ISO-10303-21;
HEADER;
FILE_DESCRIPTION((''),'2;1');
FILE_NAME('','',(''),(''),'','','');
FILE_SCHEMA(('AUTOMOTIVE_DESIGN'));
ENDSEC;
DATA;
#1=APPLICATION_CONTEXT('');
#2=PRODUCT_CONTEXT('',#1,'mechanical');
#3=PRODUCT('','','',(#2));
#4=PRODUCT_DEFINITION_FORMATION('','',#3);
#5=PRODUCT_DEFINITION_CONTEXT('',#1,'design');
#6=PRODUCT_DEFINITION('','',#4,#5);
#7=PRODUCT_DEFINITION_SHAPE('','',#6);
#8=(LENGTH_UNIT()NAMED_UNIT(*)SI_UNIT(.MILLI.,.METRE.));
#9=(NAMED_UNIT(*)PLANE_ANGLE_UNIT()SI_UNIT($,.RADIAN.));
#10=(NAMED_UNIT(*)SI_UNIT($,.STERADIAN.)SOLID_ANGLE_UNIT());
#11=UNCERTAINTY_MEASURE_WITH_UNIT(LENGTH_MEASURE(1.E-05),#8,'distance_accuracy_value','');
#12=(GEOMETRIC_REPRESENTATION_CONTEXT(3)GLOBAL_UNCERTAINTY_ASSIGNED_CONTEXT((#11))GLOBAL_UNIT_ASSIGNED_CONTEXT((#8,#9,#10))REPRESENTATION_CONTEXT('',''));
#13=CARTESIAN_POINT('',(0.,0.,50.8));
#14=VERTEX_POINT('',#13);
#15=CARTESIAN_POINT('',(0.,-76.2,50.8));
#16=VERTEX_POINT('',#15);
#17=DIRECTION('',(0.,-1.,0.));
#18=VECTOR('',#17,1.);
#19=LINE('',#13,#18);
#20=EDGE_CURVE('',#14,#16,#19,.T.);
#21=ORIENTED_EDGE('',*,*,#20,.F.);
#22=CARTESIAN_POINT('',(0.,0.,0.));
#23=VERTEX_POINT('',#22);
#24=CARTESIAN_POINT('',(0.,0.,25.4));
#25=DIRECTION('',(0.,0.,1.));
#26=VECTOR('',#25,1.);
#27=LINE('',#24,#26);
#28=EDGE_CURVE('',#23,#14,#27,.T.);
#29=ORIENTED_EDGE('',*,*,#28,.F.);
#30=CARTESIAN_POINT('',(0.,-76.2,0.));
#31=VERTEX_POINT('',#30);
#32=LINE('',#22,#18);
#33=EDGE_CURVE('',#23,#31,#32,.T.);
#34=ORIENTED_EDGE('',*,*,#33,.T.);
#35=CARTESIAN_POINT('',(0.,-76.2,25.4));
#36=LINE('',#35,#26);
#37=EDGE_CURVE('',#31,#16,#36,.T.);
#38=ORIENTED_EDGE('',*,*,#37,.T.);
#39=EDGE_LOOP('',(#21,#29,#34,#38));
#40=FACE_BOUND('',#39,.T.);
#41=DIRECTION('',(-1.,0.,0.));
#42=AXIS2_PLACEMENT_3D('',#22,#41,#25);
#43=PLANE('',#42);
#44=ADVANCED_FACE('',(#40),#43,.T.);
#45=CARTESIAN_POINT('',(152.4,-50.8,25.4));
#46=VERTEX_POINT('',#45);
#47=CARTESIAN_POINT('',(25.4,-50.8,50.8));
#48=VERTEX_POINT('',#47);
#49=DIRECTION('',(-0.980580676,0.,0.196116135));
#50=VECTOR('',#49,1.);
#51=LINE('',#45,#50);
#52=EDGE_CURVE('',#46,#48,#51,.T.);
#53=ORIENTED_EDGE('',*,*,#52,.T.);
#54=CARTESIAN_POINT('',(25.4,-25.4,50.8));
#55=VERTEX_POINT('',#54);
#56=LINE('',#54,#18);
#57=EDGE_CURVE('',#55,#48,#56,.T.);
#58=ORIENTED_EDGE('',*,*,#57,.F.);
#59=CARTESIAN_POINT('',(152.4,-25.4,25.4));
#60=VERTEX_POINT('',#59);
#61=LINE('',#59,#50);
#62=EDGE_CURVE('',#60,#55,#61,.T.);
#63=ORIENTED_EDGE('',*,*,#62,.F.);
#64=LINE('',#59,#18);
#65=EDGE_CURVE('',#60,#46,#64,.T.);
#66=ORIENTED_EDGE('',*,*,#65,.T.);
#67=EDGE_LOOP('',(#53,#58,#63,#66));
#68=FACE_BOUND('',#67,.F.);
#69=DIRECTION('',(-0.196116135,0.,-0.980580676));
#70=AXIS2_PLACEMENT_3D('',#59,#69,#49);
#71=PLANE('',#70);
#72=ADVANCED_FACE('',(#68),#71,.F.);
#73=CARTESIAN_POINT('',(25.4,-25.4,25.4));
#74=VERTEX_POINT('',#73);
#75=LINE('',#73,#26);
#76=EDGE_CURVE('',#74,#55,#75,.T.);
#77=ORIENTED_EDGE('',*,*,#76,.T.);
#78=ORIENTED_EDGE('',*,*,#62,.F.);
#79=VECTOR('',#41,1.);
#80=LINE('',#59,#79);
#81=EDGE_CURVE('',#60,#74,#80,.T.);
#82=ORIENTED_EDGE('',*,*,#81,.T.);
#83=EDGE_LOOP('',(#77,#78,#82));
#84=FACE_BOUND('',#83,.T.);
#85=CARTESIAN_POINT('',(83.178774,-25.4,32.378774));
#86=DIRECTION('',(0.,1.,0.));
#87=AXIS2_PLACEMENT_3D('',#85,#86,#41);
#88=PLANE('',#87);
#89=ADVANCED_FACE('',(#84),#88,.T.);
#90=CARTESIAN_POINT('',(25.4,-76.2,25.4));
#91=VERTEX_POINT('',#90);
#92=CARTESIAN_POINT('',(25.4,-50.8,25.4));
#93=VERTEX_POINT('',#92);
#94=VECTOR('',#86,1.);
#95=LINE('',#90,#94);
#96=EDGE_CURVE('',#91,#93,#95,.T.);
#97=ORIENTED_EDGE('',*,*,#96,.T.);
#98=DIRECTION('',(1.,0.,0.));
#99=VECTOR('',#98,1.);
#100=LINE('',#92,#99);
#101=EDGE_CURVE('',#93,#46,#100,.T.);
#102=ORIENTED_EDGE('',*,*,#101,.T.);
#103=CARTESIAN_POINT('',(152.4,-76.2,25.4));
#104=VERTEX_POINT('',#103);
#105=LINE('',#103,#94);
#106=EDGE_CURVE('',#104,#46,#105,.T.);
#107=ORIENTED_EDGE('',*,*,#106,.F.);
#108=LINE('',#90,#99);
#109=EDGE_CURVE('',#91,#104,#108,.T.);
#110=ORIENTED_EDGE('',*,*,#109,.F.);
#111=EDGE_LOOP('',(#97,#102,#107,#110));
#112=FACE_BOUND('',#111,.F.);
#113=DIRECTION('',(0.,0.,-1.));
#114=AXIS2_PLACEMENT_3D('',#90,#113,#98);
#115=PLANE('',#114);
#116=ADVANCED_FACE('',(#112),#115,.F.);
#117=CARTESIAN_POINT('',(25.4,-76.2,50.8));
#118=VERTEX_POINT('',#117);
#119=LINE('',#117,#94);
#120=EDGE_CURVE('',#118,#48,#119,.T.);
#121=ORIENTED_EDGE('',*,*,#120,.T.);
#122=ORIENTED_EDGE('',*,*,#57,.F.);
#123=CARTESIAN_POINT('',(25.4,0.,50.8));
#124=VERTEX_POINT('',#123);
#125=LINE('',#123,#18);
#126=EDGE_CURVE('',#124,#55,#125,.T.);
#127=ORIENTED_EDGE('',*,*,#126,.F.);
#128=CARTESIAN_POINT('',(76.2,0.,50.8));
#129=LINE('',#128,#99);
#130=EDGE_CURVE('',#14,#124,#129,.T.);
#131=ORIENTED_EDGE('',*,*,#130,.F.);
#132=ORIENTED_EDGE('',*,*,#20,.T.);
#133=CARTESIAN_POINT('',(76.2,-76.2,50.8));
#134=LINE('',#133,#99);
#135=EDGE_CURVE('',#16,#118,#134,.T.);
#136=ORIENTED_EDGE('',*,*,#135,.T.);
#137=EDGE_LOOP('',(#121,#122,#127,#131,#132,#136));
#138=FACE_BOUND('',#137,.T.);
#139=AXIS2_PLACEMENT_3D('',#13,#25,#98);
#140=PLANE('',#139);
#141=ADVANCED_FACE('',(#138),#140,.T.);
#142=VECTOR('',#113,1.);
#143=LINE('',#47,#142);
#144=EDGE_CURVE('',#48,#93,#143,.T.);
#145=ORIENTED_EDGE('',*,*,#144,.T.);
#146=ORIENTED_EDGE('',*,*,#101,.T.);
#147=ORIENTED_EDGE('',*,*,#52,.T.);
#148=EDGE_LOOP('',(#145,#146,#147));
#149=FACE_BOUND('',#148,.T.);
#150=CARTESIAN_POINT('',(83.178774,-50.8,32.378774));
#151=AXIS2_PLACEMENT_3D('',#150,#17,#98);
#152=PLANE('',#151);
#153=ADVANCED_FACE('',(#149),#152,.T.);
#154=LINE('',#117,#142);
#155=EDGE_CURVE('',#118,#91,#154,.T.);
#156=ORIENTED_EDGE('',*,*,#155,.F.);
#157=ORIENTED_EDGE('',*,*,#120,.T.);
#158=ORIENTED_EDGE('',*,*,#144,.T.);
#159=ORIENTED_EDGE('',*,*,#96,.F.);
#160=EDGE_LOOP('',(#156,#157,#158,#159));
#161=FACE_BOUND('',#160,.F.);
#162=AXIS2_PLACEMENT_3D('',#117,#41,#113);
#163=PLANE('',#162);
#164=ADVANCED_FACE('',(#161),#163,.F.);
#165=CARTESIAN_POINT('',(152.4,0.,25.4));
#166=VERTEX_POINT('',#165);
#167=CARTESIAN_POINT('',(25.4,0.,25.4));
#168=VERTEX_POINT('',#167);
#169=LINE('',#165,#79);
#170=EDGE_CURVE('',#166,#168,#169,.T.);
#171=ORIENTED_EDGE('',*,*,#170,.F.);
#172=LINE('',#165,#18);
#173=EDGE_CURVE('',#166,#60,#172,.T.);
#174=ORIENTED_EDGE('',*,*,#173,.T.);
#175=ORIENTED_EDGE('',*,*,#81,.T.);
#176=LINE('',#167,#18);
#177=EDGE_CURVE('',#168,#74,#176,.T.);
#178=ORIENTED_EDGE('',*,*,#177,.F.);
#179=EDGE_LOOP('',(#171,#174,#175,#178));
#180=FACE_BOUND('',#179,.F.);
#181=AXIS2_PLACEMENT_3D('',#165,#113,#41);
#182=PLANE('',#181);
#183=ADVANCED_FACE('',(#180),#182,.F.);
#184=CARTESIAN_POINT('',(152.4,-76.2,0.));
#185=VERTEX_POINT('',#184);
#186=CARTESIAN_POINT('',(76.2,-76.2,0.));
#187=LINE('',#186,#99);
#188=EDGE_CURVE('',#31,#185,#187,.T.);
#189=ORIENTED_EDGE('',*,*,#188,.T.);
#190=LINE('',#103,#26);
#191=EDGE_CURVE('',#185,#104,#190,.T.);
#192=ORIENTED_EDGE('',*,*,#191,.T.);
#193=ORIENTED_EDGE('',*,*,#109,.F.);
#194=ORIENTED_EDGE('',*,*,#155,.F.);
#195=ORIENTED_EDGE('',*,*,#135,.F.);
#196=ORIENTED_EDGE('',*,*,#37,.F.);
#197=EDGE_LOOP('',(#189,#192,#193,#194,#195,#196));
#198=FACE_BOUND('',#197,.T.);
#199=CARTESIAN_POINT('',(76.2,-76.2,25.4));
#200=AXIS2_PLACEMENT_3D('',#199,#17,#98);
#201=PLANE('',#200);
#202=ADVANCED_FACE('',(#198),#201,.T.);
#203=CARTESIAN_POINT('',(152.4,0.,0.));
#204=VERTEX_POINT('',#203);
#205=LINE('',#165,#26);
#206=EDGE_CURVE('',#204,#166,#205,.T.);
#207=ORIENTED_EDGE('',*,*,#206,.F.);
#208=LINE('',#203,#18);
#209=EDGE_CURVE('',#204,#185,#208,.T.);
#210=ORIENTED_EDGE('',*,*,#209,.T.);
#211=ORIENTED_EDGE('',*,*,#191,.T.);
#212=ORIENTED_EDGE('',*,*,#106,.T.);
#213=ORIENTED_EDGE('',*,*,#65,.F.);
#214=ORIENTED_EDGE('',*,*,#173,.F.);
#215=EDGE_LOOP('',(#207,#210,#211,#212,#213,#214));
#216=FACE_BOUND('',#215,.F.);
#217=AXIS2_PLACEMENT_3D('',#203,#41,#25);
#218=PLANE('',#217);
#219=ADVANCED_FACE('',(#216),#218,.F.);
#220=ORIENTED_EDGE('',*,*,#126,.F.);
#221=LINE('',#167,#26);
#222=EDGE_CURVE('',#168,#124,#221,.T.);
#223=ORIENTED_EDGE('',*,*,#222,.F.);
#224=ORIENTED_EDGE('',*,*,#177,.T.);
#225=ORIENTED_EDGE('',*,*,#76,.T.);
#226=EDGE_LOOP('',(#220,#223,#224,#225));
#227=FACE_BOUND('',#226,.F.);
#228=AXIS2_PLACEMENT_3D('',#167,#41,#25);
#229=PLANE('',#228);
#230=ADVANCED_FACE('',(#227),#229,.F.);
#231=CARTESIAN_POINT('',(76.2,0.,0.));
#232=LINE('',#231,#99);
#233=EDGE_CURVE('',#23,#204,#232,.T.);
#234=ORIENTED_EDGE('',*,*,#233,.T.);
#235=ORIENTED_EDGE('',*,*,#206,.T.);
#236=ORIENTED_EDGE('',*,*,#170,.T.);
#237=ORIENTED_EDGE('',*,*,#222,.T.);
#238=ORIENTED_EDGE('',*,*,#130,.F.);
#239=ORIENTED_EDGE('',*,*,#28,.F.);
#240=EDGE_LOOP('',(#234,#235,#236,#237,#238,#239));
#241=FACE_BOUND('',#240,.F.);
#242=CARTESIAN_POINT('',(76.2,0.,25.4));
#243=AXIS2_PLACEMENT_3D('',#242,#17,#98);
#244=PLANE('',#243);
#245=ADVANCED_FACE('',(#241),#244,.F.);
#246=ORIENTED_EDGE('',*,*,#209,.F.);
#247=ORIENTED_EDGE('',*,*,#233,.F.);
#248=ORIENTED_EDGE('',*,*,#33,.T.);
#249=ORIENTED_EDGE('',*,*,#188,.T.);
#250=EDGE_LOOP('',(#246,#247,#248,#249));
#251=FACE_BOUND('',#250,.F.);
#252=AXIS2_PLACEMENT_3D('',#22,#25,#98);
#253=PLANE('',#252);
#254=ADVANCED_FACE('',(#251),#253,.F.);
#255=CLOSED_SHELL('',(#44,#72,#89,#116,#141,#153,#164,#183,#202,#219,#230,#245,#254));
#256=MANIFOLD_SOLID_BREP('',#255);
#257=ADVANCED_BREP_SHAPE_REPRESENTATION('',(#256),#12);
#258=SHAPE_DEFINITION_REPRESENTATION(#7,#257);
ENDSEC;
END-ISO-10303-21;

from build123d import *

# Parameters (mm, degrees)
F0_W     = 152.4
F0_H     = 50.8
F1_DEPTH = 76.2
F3_DEPTH = 25.4
F5_DEPTH = 25.4
F7_DEPTH = 25.4


with BuildPart() as f1:
    # F0 (on Front) → F1 (new body)
    with BuildSketch(Plane.XZ):
        with Locations((76.2, 25.4)):
            Rectangle(F0_W, F0_H)
    extrude(amount=F1_DEPTH)

    # F2 (on face) → F3 (cut)
    with BuildSketch(Plane.XZ.offset(76.2)):
        Polygon((25.4, 25.4), (152.4, 25.4), (25.4, 50.8), align=None)
        Polygon((25.4, 50.8), (152.4, 25.4), (152.4, 50.8), align=None)
    extrude(amount=-F3_DEPTH, mode=Mode.SUBTRACT)

    # F4 (on face) → F5 (cut)
    with BuildSketch(Plane(origin=(0, 0, 0), x_dir=(-1, 0, 0), z_dir=(0, 1, 0))):
        Polygon((-25.4, 25.4), (-25.4, 50.8), (-152.4, 25.4), align=None)
        Polygon((-152.4, 25.4), (-25.4, 50.8), (-152.4, 50.8), align=None)
    extrude(amount=-F5_DEPTH, mode=Mode.SUBTRACT)

    # F6 (on face) → F7 (cut)
    with BuildSketch(Plane(origin=(0, -25.4, 0), x_dir=(-1, 0, 0), z_dir=(0, 1, 0))):
        Polygon((-152.4, 25.4), (-25.4, 50.8), (-152.4, 50.8), align=None)
    extrude(amount=-F7_DEPTH, mode=Mode.SUBTRACT)


solid = f1.part
